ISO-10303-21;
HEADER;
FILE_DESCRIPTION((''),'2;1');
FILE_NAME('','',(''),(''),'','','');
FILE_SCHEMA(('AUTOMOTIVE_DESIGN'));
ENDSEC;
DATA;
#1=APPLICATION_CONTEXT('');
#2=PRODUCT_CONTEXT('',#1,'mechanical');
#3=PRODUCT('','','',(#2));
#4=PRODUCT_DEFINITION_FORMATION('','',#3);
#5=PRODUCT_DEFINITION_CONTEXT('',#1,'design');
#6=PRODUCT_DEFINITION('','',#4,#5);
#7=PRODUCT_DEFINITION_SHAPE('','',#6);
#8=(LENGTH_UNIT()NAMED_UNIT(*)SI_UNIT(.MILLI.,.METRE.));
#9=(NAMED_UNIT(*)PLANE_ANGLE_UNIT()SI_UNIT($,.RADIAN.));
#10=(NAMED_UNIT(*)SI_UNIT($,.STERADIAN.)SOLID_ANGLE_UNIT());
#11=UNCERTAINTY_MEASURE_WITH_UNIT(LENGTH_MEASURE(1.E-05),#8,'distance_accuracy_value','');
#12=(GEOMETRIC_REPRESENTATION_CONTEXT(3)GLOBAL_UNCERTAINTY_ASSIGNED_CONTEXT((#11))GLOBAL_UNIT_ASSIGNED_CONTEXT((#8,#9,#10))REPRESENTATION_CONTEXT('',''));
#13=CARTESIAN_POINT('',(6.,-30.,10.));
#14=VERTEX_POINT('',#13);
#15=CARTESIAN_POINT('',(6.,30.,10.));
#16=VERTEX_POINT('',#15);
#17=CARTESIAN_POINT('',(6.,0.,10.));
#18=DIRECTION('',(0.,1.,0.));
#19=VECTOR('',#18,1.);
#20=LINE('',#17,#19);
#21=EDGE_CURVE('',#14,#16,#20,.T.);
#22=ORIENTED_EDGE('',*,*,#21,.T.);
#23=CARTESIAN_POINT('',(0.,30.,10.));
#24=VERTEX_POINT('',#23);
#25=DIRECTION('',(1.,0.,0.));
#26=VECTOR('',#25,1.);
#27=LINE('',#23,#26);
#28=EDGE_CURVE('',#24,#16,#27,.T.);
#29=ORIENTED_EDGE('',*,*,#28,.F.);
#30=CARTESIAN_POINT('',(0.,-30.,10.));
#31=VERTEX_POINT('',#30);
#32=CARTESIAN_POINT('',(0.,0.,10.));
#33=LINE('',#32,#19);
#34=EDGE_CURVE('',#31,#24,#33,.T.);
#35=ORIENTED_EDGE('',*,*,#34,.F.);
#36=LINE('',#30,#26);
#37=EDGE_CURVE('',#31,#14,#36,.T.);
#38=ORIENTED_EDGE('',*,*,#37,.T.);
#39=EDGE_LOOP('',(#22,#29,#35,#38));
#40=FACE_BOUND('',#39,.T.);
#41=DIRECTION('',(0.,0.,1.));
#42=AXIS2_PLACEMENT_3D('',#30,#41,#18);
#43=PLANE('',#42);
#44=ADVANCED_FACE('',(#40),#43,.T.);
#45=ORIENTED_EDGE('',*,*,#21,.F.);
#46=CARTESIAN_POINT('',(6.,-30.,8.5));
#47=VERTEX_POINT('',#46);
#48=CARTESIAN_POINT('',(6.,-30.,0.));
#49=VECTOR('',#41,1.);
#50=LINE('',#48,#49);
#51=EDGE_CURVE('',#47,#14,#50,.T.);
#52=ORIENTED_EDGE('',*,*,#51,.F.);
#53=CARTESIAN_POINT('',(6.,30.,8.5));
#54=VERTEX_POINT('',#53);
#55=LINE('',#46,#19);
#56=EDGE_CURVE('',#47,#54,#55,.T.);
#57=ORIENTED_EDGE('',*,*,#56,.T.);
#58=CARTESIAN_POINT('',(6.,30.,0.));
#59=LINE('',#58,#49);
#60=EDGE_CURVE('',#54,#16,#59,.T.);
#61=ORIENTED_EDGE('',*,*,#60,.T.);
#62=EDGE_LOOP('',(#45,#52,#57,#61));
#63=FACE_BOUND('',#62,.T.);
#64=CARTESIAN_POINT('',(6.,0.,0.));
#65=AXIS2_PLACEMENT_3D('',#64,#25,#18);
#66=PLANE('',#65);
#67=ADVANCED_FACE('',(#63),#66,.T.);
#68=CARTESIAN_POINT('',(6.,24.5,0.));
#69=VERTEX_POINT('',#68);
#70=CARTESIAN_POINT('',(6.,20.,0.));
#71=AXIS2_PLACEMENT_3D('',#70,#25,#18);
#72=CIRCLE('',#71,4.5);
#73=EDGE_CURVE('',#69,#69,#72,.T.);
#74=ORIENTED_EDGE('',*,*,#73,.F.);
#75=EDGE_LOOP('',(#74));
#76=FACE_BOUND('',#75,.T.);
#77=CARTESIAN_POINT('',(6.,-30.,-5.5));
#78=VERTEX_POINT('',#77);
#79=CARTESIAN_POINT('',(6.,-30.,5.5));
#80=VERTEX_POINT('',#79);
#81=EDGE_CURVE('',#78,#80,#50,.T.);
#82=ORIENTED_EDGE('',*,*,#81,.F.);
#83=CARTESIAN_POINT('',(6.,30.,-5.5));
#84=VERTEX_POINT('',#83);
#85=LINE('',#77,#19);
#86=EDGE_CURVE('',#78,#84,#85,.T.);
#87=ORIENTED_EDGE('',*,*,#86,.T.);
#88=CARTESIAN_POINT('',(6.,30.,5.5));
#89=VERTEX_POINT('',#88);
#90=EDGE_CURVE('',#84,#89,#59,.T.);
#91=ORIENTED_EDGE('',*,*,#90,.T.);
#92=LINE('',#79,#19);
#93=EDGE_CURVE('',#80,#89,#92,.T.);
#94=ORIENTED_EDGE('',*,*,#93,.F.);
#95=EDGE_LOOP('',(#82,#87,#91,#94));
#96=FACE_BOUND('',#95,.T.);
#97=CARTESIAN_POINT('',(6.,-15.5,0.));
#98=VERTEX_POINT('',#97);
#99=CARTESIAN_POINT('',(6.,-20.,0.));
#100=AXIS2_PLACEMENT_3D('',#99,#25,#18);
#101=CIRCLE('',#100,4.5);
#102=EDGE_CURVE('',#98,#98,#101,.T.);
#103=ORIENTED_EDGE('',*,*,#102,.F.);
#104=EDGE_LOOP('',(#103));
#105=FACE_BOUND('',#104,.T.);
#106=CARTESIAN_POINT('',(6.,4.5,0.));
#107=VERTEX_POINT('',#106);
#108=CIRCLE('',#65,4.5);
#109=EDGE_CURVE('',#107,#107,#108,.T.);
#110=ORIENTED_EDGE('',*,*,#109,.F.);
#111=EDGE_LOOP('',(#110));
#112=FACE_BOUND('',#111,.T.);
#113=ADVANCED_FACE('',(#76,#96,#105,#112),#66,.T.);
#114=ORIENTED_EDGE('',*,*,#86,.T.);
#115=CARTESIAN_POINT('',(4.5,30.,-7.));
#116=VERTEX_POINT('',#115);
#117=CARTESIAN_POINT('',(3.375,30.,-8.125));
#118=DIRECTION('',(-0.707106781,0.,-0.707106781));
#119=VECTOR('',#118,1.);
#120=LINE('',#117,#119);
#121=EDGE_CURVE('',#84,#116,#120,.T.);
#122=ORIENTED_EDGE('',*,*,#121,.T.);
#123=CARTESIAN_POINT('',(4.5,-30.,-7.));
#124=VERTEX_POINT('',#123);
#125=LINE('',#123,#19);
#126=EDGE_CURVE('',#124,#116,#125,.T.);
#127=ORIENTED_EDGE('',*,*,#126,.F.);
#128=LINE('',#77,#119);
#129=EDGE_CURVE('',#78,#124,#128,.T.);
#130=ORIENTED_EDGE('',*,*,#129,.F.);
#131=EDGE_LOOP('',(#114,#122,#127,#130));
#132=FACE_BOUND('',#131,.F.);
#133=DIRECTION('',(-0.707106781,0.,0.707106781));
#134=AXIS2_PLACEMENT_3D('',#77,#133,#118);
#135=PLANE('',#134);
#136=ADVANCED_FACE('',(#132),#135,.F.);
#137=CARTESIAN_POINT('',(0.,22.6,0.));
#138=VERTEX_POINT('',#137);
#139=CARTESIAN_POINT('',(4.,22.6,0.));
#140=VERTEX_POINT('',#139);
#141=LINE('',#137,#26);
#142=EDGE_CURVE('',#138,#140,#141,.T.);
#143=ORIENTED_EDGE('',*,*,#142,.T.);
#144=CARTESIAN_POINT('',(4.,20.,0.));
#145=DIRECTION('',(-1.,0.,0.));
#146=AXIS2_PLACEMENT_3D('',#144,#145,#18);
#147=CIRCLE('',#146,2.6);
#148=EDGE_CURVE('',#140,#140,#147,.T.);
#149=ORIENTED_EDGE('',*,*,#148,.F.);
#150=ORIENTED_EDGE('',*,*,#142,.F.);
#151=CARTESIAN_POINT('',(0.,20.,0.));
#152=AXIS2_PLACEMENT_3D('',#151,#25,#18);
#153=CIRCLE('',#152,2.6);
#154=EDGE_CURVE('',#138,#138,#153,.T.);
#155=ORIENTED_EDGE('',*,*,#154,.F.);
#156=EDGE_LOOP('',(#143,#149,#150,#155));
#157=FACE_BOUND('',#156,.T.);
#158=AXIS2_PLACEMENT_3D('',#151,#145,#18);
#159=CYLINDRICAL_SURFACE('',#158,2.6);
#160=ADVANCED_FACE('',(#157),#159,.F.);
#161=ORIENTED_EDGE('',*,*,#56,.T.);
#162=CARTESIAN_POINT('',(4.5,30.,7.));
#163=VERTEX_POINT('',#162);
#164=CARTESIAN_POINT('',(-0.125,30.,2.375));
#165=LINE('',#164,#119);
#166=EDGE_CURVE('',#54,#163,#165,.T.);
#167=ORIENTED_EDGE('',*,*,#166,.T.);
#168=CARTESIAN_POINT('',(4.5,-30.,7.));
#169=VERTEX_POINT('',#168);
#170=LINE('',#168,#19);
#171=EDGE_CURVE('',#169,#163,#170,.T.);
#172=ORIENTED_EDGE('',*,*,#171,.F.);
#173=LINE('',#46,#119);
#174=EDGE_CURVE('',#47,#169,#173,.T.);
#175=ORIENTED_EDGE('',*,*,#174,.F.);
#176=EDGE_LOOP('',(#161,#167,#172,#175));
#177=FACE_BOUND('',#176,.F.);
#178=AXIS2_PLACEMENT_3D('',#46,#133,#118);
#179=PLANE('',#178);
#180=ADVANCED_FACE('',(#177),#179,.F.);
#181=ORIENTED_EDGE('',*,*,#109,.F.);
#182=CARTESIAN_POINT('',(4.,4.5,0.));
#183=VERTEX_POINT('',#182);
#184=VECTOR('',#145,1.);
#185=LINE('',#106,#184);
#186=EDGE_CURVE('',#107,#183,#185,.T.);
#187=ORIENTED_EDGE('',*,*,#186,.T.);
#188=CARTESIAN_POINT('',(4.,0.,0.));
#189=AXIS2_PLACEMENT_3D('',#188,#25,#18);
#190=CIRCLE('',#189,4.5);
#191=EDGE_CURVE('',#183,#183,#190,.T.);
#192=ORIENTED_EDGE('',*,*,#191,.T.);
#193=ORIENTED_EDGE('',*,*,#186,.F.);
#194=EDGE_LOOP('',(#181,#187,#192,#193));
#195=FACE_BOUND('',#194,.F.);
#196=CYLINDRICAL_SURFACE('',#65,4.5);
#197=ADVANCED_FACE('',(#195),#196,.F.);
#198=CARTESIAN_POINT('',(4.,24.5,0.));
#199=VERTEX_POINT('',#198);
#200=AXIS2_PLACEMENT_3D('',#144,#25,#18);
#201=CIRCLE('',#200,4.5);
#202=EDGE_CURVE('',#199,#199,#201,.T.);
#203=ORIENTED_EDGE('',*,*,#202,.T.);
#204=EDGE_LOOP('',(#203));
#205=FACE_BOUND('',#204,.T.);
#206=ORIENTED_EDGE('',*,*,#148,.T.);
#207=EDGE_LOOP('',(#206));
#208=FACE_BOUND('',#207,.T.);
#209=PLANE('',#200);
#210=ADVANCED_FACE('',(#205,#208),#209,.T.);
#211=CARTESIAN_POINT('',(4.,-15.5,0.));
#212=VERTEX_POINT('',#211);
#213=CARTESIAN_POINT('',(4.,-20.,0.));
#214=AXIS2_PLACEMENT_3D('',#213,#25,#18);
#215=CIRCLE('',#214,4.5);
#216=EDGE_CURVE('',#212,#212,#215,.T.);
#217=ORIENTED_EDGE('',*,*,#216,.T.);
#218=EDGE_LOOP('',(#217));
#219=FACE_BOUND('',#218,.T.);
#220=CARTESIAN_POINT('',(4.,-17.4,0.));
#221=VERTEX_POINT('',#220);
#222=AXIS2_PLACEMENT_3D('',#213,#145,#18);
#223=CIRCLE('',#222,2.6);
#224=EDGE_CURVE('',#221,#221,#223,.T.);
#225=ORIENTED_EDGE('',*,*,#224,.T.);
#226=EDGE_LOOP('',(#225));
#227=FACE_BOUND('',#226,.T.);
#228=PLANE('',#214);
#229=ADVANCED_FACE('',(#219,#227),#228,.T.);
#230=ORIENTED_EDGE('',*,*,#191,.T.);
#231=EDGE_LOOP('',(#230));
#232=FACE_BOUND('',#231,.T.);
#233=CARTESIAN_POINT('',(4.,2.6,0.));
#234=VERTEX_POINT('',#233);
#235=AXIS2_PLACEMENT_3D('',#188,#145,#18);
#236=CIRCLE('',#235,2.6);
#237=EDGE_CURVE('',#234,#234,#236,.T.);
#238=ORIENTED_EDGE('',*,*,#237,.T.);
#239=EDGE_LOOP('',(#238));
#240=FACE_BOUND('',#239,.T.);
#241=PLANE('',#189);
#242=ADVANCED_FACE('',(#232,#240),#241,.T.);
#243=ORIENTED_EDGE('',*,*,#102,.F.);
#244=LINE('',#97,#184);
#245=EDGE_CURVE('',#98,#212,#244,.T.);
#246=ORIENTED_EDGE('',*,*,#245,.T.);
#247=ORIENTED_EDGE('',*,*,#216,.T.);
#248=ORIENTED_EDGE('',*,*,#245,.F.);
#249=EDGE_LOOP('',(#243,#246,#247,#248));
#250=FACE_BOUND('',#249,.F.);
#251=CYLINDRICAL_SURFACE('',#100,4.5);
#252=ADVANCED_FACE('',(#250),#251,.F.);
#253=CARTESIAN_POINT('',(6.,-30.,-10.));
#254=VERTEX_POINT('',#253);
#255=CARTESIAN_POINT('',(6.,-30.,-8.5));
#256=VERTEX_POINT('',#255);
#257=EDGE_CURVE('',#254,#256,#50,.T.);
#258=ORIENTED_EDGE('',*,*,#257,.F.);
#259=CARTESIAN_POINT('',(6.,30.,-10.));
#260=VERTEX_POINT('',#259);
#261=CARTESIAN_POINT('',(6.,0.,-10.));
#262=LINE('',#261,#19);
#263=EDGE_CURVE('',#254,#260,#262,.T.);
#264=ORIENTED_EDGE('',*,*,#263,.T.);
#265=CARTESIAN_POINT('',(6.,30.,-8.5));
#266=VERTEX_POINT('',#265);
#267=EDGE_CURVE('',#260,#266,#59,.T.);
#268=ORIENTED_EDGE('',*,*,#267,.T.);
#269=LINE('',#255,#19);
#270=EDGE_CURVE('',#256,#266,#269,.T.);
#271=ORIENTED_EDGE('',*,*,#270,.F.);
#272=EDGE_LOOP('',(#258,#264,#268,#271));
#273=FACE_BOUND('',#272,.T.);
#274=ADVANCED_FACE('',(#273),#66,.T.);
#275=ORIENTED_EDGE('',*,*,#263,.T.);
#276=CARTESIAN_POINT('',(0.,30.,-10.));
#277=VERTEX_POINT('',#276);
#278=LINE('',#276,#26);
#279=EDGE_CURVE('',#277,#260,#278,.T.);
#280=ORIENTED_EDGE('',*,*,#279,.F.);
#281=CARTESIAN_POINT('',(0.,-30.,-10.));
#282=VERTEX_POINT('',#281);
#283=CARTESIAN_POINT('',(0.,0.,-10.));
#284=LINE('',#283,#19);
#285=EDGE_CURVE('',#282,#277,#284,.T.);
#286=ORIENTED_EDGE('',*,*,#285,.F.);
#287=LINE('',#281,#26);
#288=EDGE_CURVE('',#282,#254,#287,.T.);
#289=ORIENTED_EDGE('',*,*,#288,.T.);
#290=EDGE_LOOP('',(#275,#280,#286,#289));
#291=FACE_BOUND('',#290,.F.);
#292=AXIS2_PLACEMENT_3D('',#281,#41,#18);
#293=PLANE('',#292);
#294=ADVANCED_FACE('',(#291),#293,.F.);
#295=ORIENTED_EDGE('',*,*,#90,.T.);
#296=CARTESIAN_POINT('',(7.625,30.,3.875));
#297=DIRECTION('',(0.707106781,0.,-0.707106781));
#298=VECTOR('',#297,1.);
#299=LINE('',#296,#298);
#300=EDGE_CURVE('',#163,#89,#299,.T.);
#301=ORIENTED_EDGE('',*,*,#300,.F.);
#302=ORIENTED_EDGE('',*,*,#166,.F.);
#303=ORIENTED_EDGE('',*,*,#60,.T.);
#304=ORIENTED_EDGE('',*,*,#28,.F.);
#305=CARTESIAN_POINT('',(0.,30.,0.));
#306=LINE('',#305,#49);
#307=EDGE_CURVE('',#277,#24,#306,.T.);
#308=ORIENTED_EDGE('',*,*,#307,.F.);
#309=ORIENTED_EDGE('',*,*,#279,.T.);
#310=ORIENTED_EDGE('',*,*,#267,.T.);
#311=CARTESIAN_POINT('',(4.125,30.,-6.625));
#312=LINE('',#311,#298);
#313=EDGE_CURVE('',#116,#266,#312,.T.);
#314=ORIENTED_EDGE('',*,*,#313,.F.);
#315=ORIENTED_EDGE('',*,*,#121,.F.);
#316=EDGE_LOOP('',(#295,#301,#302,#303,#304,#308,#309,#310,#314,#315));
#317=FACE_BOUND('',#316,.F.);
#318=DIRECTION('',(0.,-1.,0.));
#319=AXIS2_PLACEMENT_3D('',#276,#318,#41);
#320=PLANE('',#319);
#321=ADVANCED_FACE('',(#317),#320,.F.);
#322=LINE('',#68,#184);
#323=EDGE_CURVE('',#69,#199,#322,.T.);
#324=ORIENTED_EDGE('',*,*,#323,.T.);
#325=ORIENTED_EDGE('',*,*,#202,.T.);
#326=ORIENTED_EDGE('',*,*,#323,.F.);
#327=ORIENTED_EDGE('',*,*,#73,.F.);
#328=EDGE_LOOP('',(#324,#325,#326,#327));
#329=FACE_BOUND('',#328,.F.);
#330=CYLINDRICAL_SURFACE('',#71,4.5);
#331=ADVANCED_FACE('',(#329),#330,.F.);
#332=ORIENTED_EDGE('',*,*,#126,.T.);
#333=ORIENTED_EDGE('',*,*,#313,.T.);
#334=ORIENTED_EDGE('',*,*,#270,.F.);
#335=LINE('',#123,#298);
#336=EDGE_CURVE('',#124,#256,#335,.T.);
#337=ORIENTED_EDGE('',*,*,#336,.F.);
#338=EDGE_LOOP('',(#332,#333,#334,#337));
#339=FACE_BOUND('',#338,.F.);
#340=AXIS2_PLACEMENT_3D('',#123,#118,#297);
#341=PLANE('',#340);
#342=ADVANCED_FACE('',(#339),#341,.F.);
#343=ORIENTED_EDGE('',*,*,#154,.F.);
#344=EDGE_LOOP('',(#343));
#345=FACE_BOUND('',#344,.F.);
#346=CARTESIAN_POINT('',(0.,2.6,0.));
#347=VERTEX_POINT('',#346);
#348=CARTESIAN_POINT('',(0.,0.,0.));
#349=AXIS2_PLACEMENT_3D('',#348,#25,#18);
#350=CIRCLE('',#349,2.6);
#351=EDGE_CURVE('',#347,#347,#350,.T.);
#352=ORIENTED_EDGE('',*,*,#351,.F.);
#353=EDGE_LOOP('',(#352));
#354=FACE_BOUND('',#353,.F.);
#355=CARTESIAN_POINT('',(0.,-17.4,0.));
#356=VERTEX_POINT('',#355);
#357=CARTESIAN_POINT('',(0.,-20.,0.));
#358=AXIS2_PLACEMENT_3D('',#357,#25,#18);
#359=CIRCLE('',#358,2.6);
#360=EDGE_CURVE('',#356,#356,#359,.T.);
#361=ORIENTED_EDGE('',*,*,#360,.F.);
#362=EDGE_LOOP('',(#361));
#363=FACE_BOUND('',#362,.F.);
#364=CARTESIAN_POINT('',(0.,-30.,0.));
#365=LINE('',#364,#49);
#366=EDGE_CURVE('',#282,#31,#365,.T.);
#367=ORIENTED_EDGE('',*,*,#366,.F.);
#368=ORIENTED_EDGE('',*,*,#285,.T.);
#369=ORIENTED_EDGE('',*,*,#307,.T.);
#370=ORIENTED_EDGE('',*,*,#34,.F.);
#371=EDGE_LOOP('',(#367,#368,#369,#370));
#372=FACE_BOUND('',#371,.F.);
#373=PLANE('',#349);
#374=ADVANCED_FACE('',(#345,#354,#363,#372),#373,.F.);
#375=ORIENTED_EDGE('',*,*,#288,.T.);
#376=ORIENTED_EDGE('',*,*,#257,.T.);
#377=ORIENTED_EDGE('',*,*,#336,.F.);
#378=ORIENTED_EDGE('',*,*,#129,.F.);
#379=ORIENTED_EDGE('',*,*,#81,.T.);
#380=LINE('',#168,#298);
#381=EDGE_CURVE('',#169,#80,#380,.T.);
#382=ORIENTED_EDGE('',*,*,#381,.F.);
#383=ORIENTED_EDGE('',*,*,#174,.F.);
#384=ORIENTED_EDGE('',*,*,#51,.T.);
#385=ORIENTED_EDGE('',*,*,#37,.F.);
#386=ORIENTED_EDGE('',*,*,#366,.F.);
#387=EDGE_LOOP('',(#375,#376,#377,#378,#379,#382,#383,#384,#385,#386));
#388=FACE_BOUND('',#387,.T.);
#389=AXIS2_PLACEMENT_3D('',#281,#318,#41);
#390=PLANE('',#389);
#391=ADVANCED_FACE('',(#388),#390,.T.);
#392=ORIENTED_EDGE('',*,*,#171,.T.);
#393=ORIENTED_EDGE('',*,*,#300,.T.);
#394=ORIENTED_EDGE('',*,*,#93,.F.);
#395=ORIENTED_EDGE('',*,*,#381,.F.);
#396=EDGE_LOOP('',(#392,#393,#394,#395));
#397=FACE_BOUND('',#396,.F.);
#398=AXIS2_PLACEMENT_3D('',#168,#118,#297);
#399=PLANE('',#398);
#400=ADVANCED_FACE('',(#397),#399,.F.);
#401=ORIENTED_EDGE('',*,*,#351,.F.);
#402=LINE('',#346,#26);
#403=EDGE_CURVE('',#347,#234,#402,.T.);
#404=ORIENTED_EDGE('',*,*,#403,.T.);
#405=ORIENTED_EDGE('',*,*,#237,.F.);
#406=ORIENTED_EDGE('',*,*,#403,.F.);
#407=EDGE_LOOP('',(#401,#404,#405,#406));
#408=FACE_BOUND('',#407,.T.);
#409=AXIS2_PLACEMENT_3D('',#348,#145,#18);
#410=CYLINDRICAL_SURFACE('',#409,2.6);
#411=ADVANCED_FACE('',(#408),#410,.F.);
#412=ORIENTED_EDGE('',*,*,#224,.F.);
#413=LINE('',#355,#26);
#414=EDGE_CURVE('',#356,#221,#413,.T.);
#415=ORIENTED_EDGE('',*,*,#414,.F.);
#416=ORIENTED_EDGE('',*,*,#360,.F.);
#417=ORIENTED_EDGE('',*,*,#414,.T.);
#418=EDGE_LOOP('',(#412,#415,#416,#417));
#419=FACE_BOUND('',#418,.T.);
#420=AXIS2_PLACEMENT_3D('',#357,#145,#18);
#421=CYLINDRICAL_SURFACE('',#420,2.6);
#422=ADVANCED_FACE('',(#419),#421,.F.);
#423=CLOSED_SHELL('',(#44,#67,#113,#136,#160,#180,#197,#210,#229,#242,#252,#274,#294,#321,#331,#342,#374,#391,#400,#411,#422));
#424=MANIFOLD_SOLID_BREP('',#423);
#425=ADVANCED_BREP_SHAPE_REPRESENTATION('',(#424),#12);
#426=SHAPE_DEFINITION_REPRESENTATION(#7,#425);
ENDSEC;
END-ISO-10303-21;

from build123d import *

# Parameters (mm, degrees)
F0_W     = 60
F0_H     = 20
F0_R     = 2.6
F1_DEPTH = 6
F2_R     = 4.5
F3_DEPTH = 2
F5_DEPTH = 60.001


with BuildPart() as f1:
    # F0 (on Right) → F1 (new body)
    with BuildSketch(Plane.YZ):
        Rectangle(F0_W, F0_H)
        with Locations((-20, 0)):
            Circle(F0_R, mode=Mode.SUBTRACT)
        Circle(F0_R, mode=Mode.SUBTRACT)
        with Locations((20, 0)):
            Circle(F0_R, mode=Mode.SUBTRACT)
    extrude(amount=F1_DEPTH)

    # F2 (on face) → F3 (cut)
    with BuildSketch(Plane.YZ.offset(6)):
        with Locations((-20, 0)):
            Circle(F2_R)
        Circle(F2_R)
        with Locations((20, 0)):
            Circle(F2_R)
    extrude(amount=-F3_DEPTH, mode=Mode.SUBTRACT)

    # F4 (on face) → F5 (cut, through all)
    with BuildSketch(Plane.XZ.offset(30)):
        Polygon((6, 8.5), (4.5, 7), (6, 5.5), align=None)
        Polygon((6, -8.5), (6, -5.5), (4.5, -7), align=None)
    extrude(amount=-F5_DEPTH, mode=Mode.SUBTRACT)


solid = f1.part
